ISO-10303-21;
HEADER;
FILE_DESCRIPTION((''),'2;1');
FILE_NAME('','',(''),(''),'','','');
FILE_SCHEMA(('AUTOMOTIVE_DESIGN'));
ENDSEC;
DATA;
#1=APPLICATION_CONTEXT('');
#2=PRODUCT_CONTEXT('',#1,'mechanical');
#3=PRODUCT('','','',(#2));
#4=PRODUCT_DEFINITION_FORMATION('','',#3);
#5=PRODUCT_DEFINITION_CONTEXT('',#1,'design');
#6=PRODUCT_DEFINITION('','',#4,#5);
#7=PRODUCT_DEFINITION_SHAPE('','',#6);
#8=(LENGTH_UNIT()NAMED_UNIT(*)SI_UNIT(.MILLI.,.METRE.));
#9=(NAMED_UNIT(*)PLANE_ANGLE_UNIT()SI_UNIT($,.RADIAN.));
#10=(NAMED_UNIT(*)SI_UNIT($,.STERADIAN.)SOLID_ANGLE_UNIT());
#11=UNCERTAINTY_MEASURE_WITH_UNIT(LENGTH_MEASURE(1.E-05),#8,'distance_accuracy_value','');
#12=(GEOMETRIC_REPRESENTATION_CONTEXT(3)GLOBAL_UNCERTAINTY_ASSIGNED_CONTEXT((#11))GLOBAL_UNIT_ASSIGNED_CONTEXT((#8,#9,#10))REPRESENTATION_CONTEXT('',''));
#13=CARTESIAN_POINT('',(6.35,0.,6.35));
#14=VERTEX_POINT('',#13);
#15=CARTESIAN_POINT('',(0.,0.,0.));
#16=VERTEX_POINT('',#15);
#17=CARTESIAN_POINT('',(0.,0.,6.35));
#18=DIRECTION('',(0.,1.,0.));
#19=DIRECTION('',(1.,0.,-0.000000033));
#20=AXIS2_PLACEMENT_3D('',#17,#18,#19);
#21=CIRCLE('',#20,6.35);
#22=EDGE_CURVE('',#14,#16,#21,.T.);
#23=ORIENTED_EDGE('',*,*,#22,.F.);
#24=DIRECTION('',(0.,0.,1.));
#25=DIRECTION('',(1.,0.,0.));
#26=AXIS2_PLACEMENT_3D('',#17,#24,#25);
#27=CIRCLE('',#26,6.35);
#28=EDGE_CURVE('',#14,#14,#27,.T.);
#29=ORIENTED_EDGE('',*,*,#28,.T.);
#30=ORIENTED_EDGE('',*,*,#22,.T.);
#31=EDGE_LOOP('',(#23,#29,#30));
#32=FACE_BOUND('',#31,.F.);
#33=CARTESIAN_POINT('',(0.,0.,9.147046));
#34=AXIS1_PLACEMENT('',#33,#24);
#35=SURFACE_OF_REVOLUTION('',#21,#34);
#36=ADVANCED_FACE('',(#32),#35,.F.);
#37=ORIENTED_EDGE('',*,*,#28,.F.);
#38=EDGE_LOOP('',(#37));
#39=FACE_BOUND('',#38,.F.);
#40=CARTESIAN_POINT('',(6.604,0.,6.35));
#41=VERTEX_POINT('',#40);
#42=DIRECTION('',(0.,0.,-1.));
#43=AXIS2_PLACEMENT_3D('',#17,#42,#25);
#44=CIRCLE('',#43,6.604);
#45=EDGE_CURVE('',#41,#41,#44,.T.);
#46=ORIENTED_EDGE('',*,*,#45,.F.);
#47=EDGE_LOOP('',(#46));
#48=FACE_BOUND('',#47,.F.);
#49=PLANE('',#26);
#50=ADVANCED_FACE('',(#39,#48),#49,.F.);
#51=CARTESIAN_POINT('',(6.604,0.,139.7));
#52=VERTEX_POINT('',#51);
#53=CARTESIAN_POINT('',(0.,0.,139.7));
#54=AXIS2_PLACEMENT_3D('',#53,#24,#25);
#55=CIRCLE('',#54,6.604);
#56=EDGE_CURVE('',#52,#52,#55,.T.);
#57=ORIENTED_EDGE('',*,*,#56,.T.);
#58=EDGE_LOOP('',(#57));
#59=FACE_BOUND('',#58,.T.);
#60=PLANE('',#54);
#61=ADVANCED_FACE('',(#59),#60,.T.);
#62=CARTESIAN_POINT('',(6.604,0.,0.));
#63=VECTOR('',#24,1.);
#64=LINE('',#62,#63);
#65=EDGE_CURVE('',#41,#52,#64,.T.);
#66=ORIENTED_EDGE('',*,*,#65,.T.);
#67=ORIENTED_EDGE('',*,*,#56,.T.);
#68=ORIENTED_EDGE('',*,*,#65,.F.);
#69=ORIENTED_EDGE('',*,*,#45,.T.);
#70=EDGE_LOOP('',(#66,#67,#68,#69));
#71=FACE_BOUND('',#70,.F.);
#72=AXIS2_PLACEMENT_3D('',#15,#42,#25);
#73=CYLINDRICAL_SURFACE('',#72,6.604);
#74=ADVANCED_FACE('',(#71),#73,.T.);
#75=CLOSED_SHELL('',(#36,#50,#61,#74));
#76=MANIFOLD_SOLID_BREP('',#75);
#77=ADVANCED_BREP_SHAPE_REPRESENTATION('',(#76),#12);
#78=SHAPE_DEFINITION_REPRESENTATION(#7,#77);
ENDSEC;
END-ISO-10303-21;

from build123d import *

# Parameters (mm, degrees)
F0_R     = 6.604
F1_DEPTH = 139.7


with BuildPart() as f1:
    # F0 (on Top) → F1 (new body)
    with BuildSketch(Plane.XY):
        Circle(F0_R)
    extrude(amount=F1_DEPTH)

    # F2 (on Front) → F3 (revolve, cut)
    with BuildSketch(Plane.XZ):
        with BuildLine():
            ThreePointArc((6.35, 6.35), (4.490128, 1.859872), (0, 0))
            Line((0, 0), (0, -9.464682))
            Line((0, -9.464682), (17.498041, -9.464682))
            Line((17.498041, -9.464682), (17.498041, 6.35))
            Line((17.498041, 6.35), (6.35, 6.35))
        make_face()
    revolve(axis=Axis((0, 0, 9.147046), (0, 0, 1)), mode=Mode.SUBTRACT)


solid = f1.part
